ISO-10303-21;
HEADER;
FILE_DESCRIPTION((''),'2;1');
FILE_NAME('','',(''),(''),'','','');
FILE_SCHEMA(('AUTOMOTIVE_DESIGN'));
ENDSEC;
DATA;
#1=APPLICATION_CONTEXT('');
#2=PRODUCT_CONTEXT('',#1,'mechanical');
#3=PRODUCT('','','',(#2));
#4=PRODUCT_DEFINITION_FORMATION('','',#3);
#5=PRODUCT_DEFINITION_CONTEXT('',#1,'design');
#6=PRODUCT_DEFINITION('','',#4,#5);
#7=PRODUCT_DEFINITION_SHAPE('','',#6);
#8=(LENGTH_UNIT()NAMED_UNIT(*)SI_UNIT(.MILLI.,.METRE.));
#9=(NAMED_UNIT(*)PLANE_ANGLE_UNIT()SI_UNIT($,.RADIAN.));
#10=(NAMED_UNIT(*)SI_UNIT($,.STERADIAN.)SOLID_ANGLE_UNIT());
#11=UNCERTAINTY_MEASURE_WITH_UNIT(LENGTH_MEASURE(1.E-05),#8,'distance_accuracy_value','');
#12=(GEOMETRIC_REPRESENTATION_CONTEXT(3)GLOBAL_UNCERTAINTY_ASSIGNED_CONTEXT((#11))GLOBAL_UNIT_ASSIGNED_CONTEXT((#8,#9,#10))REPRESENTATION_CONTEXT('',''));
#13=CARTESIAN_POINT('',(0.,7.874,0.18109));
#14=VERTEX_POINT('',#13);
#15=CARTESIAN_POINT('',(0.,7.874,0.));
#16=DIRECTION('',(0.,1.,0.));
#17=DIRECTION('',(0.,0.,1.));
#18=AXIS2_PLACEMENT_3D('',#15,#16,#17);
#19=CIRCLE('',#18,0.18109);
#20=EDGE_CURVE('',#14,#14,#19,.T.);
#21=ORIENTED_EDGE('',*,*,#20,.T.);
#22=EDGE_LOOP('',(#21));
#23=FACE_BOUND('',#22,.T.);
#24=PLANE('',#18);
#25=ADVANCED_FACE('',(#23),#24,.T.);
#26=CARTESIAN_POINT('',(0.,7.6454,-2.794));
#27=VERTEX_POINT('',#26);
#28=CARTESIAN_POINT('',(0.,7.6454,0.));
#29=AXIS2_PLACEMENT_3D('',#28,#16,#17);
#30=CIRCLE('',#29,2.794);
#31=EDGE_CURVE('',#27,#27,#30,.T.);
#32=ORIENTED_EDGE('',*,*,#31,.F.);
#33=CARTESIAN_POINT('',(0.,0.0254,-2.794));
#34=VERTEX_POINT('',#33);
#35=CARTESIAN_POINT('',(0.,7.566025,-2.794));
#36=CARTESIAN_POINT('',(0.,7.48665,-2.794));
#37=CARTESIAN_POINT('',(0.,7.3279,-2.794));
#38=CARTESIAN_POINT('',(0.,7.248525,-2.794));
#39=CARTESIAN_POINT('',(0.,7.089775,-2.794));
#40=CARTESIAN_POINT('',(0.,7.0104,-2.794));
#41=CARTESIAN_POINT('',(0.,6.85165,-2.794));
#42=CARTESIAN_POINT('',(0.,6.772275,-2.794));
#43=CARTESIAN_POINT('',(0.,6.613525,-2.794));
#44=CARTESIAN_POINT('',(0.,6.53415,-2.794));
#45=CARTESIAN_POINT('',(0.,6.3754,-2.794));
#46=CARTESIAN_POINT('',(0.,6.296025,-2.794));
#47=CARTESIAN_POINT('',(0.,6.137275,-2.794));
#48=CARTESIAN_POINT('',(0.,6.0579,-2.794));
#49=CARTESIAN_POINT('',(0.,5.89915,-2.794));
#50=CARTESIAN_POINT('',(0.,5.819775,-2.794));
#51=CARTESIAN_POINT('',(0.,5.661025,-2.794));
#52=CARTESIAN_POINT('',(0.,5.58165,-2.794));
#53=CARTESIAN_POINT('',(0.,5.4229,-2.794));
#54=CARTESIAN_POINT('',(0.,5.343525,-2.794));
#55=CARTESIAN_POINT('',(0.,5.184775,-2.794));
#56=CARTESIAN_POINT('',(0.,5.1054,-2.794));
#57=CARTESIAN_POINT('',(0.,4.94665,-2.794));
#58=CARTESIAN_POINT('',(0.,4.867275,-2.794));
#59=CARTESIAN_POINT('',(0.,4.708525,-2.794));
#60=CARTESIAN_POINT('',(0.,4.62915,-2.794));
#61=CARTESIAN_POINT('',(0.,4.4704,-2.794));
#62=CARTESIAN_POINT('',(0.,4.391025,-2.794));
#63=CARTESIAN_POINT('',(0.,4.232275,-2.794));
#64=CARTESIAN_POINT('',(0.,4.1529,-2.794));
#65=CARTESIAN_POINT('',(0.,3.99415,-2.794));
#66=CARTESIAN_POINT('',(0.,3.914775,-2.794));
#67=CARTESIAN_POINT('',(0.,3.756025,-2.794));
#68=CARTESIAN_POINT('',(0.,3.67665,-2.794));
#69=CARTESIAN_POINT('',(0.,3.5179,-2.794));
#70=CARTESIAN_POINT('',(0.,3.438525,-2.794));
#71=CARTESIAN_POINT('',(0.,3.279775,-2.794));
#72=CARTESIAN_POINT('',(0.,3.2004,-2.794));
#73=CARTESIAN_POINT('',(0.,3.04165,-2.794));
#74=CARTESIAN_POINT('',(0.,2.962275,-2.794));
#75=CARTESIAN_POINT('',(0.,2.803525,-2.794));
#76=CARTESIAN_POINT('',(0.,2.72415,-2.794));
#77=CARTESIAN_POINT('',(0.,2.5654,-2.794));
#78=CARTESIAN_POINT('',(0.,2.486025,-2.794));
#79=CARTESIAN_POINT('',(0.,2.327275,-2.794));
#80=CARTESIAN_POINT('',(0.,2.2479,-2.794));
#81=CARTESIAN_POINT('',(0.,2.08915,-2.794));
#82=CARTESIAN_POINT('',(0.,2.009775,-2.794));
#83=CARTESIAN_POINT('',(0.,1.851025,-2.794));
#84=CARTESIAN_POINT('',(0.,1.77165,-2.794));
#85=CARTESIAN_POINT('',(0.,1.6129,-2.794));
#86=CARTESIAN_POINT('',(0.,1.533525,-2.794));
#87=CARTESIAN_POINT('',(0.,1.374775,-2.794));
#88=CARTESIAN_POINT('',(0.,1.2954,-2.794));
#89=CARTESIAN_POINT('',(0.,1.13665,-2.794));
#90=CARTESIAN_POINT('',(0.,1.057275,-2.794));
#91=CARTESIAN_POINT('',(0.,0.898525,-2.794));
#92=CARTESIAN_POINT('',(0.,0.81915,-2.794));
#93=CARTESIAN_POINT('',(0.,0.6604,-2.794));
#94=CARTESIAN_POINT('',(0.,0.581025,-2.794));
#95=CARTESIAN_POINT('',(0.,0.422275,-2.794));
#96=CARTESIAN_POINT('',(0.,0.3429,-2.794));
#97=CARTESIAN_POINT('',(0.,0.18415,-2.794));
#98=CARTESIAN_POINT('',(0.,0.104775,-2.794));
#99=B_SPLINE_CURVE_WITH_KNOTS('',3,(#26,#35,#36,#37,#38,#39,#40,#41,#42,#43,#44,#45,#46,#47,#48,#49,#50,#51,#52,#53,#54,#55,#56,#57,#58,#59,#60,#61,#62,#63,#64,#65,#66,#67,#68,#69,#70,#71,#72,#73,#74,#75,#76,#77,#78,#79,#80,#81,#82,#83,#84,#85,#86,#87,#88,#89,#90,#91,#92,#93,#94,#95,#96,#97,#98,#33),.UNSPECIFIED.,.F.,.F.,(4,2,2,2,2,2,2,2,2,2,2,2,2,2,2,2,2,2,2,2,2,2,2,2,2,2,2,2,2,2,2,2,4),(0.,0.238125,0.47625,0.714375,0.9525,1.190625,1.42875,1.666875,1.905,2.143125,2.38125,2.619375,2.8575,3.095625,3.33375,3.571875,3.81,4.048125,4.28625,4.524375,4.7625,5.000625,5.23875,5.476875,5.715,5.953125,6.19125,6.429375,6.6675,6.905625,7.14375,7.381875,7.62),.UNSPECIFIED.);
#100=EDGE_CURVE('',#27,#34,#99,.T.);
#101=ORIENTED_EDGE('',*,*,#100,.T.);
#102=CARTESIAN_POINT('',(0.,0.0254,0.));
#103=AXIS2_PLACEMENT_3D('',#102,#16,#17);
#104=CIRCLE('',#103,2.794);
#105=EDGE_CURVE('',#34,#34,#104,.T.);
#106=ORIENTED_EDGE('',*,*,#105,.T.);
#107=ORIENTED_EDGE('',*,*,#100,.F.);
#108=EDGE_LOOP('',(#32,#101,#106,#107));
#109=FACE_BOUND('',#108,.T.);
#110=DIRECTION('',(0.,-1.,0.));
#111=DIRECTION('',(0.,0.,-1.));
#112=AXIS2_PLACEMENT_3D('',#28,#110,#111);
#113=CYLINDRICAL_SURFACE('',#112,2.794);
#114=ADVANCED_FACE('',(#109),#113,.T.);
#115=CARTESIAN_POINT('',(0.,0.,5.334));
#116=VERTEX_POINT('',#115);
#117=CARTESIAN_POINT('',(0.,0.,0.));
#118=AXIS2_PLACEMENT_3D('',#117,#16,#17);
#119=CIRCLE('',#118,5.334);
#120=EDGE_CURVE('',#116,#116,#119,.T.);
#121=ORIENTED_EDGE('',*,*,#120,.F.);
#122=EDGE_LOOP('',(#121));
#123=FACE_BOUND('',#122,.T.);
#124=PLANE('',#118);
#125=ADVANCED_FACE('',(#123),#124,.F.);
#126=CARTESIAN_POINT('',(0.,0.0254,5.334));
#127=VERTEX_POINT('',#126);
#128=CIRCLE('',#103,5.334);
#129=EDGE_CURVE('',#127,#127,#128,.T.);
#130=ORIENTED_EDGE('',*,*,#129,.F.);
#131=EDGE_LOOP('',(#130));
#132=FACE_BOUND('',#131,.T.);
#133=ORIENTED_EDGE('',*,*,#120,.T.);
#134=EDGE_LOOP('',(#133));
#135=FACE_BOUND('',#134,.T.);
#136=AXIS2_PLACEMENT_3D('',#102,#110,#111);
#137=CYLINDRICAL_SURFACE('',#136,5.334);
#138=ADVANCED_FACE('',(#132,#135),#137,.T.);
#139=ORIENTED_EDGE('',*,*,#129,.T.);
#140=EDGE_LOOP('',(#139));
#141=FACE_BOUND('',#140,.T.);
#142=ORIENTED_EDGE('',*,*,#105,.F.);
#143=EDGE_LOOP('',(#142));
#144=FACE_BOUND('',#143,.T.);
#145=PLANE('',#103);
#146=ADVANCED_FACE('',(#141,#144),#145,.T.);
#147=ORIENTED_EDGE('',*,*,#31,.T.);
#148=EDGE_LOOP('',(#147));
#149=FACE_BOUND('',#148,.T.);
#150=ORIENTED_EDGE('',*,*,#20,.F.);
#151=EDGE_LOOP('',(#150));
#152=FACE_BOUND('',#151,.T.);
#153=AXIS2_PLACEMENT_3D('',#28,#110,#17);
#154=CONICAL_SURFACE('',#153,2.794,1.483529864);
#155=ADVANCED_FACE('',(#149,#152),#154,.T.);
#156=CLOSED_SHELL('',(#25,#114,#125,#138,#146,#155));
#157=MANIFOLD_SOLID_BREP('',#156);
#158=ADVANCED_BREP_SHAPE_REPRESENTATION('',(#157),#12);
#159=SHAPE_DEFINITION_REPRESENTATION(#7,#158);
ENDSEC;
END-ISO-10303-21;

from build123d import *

# Parameters (mm, degrees)
SKETCH1_R           = 5.334
BOSS_EXTRUDE2_DEPTH = 0.0254
SKETCH2_R           = 2.794
BOSS_EXTRUDE4_DEPTH = 7.62
SKETCH3_R           = 2.794
BOSS_EXTRUDE5_DEPTH = 0.2286
BOSS_EXTRUDE5_TAPER = 84.999999999


with BuildPart() as part:
    # Sketch1 → Boss-Extrude2 (new body)
    with BuildSketch(Plane(origin=(0, 0, 0), x_dir=(1, 0, 0), z_dir=(0, 1, 0))):
        with Locations(Location((0, 0, 0), (0, 0, 270))):
            Circle(SKETCH1_R)
    extrude(amount=BOSS_EXTRUDE2_DEPTH)

    # Sketch2 → Boss-Extrude4 (add)
    with BuildSketch(Plane(origin=(0, 0.0254, 0), x_dir=(1, 0, 0), z_dir=(0, 1, 0))):
        with Locations(Location((0, 0, 0), (0, 0, 90))):
            Circle(SKETCH2_R)
    extrude(amount=BOSS_EXTRUDE4_DEPTH)

    # Sketch3 → Boss-Extrude5 (add)
    with BuildSketch(Plane(origin=(0, 7.6454, 0), x_dir=(1, 0, 0), z_dir=(0, 1, 0))):
        with Locations(Location((0, 0, 0), (0, 0, 90))):
            Circle(SKETCH3_R)
    extrude(amount=BOSS_EXTRUDE5_DEPTH, taper=BOSS_EXTRUDE5_TAPER)


solid = part.part
